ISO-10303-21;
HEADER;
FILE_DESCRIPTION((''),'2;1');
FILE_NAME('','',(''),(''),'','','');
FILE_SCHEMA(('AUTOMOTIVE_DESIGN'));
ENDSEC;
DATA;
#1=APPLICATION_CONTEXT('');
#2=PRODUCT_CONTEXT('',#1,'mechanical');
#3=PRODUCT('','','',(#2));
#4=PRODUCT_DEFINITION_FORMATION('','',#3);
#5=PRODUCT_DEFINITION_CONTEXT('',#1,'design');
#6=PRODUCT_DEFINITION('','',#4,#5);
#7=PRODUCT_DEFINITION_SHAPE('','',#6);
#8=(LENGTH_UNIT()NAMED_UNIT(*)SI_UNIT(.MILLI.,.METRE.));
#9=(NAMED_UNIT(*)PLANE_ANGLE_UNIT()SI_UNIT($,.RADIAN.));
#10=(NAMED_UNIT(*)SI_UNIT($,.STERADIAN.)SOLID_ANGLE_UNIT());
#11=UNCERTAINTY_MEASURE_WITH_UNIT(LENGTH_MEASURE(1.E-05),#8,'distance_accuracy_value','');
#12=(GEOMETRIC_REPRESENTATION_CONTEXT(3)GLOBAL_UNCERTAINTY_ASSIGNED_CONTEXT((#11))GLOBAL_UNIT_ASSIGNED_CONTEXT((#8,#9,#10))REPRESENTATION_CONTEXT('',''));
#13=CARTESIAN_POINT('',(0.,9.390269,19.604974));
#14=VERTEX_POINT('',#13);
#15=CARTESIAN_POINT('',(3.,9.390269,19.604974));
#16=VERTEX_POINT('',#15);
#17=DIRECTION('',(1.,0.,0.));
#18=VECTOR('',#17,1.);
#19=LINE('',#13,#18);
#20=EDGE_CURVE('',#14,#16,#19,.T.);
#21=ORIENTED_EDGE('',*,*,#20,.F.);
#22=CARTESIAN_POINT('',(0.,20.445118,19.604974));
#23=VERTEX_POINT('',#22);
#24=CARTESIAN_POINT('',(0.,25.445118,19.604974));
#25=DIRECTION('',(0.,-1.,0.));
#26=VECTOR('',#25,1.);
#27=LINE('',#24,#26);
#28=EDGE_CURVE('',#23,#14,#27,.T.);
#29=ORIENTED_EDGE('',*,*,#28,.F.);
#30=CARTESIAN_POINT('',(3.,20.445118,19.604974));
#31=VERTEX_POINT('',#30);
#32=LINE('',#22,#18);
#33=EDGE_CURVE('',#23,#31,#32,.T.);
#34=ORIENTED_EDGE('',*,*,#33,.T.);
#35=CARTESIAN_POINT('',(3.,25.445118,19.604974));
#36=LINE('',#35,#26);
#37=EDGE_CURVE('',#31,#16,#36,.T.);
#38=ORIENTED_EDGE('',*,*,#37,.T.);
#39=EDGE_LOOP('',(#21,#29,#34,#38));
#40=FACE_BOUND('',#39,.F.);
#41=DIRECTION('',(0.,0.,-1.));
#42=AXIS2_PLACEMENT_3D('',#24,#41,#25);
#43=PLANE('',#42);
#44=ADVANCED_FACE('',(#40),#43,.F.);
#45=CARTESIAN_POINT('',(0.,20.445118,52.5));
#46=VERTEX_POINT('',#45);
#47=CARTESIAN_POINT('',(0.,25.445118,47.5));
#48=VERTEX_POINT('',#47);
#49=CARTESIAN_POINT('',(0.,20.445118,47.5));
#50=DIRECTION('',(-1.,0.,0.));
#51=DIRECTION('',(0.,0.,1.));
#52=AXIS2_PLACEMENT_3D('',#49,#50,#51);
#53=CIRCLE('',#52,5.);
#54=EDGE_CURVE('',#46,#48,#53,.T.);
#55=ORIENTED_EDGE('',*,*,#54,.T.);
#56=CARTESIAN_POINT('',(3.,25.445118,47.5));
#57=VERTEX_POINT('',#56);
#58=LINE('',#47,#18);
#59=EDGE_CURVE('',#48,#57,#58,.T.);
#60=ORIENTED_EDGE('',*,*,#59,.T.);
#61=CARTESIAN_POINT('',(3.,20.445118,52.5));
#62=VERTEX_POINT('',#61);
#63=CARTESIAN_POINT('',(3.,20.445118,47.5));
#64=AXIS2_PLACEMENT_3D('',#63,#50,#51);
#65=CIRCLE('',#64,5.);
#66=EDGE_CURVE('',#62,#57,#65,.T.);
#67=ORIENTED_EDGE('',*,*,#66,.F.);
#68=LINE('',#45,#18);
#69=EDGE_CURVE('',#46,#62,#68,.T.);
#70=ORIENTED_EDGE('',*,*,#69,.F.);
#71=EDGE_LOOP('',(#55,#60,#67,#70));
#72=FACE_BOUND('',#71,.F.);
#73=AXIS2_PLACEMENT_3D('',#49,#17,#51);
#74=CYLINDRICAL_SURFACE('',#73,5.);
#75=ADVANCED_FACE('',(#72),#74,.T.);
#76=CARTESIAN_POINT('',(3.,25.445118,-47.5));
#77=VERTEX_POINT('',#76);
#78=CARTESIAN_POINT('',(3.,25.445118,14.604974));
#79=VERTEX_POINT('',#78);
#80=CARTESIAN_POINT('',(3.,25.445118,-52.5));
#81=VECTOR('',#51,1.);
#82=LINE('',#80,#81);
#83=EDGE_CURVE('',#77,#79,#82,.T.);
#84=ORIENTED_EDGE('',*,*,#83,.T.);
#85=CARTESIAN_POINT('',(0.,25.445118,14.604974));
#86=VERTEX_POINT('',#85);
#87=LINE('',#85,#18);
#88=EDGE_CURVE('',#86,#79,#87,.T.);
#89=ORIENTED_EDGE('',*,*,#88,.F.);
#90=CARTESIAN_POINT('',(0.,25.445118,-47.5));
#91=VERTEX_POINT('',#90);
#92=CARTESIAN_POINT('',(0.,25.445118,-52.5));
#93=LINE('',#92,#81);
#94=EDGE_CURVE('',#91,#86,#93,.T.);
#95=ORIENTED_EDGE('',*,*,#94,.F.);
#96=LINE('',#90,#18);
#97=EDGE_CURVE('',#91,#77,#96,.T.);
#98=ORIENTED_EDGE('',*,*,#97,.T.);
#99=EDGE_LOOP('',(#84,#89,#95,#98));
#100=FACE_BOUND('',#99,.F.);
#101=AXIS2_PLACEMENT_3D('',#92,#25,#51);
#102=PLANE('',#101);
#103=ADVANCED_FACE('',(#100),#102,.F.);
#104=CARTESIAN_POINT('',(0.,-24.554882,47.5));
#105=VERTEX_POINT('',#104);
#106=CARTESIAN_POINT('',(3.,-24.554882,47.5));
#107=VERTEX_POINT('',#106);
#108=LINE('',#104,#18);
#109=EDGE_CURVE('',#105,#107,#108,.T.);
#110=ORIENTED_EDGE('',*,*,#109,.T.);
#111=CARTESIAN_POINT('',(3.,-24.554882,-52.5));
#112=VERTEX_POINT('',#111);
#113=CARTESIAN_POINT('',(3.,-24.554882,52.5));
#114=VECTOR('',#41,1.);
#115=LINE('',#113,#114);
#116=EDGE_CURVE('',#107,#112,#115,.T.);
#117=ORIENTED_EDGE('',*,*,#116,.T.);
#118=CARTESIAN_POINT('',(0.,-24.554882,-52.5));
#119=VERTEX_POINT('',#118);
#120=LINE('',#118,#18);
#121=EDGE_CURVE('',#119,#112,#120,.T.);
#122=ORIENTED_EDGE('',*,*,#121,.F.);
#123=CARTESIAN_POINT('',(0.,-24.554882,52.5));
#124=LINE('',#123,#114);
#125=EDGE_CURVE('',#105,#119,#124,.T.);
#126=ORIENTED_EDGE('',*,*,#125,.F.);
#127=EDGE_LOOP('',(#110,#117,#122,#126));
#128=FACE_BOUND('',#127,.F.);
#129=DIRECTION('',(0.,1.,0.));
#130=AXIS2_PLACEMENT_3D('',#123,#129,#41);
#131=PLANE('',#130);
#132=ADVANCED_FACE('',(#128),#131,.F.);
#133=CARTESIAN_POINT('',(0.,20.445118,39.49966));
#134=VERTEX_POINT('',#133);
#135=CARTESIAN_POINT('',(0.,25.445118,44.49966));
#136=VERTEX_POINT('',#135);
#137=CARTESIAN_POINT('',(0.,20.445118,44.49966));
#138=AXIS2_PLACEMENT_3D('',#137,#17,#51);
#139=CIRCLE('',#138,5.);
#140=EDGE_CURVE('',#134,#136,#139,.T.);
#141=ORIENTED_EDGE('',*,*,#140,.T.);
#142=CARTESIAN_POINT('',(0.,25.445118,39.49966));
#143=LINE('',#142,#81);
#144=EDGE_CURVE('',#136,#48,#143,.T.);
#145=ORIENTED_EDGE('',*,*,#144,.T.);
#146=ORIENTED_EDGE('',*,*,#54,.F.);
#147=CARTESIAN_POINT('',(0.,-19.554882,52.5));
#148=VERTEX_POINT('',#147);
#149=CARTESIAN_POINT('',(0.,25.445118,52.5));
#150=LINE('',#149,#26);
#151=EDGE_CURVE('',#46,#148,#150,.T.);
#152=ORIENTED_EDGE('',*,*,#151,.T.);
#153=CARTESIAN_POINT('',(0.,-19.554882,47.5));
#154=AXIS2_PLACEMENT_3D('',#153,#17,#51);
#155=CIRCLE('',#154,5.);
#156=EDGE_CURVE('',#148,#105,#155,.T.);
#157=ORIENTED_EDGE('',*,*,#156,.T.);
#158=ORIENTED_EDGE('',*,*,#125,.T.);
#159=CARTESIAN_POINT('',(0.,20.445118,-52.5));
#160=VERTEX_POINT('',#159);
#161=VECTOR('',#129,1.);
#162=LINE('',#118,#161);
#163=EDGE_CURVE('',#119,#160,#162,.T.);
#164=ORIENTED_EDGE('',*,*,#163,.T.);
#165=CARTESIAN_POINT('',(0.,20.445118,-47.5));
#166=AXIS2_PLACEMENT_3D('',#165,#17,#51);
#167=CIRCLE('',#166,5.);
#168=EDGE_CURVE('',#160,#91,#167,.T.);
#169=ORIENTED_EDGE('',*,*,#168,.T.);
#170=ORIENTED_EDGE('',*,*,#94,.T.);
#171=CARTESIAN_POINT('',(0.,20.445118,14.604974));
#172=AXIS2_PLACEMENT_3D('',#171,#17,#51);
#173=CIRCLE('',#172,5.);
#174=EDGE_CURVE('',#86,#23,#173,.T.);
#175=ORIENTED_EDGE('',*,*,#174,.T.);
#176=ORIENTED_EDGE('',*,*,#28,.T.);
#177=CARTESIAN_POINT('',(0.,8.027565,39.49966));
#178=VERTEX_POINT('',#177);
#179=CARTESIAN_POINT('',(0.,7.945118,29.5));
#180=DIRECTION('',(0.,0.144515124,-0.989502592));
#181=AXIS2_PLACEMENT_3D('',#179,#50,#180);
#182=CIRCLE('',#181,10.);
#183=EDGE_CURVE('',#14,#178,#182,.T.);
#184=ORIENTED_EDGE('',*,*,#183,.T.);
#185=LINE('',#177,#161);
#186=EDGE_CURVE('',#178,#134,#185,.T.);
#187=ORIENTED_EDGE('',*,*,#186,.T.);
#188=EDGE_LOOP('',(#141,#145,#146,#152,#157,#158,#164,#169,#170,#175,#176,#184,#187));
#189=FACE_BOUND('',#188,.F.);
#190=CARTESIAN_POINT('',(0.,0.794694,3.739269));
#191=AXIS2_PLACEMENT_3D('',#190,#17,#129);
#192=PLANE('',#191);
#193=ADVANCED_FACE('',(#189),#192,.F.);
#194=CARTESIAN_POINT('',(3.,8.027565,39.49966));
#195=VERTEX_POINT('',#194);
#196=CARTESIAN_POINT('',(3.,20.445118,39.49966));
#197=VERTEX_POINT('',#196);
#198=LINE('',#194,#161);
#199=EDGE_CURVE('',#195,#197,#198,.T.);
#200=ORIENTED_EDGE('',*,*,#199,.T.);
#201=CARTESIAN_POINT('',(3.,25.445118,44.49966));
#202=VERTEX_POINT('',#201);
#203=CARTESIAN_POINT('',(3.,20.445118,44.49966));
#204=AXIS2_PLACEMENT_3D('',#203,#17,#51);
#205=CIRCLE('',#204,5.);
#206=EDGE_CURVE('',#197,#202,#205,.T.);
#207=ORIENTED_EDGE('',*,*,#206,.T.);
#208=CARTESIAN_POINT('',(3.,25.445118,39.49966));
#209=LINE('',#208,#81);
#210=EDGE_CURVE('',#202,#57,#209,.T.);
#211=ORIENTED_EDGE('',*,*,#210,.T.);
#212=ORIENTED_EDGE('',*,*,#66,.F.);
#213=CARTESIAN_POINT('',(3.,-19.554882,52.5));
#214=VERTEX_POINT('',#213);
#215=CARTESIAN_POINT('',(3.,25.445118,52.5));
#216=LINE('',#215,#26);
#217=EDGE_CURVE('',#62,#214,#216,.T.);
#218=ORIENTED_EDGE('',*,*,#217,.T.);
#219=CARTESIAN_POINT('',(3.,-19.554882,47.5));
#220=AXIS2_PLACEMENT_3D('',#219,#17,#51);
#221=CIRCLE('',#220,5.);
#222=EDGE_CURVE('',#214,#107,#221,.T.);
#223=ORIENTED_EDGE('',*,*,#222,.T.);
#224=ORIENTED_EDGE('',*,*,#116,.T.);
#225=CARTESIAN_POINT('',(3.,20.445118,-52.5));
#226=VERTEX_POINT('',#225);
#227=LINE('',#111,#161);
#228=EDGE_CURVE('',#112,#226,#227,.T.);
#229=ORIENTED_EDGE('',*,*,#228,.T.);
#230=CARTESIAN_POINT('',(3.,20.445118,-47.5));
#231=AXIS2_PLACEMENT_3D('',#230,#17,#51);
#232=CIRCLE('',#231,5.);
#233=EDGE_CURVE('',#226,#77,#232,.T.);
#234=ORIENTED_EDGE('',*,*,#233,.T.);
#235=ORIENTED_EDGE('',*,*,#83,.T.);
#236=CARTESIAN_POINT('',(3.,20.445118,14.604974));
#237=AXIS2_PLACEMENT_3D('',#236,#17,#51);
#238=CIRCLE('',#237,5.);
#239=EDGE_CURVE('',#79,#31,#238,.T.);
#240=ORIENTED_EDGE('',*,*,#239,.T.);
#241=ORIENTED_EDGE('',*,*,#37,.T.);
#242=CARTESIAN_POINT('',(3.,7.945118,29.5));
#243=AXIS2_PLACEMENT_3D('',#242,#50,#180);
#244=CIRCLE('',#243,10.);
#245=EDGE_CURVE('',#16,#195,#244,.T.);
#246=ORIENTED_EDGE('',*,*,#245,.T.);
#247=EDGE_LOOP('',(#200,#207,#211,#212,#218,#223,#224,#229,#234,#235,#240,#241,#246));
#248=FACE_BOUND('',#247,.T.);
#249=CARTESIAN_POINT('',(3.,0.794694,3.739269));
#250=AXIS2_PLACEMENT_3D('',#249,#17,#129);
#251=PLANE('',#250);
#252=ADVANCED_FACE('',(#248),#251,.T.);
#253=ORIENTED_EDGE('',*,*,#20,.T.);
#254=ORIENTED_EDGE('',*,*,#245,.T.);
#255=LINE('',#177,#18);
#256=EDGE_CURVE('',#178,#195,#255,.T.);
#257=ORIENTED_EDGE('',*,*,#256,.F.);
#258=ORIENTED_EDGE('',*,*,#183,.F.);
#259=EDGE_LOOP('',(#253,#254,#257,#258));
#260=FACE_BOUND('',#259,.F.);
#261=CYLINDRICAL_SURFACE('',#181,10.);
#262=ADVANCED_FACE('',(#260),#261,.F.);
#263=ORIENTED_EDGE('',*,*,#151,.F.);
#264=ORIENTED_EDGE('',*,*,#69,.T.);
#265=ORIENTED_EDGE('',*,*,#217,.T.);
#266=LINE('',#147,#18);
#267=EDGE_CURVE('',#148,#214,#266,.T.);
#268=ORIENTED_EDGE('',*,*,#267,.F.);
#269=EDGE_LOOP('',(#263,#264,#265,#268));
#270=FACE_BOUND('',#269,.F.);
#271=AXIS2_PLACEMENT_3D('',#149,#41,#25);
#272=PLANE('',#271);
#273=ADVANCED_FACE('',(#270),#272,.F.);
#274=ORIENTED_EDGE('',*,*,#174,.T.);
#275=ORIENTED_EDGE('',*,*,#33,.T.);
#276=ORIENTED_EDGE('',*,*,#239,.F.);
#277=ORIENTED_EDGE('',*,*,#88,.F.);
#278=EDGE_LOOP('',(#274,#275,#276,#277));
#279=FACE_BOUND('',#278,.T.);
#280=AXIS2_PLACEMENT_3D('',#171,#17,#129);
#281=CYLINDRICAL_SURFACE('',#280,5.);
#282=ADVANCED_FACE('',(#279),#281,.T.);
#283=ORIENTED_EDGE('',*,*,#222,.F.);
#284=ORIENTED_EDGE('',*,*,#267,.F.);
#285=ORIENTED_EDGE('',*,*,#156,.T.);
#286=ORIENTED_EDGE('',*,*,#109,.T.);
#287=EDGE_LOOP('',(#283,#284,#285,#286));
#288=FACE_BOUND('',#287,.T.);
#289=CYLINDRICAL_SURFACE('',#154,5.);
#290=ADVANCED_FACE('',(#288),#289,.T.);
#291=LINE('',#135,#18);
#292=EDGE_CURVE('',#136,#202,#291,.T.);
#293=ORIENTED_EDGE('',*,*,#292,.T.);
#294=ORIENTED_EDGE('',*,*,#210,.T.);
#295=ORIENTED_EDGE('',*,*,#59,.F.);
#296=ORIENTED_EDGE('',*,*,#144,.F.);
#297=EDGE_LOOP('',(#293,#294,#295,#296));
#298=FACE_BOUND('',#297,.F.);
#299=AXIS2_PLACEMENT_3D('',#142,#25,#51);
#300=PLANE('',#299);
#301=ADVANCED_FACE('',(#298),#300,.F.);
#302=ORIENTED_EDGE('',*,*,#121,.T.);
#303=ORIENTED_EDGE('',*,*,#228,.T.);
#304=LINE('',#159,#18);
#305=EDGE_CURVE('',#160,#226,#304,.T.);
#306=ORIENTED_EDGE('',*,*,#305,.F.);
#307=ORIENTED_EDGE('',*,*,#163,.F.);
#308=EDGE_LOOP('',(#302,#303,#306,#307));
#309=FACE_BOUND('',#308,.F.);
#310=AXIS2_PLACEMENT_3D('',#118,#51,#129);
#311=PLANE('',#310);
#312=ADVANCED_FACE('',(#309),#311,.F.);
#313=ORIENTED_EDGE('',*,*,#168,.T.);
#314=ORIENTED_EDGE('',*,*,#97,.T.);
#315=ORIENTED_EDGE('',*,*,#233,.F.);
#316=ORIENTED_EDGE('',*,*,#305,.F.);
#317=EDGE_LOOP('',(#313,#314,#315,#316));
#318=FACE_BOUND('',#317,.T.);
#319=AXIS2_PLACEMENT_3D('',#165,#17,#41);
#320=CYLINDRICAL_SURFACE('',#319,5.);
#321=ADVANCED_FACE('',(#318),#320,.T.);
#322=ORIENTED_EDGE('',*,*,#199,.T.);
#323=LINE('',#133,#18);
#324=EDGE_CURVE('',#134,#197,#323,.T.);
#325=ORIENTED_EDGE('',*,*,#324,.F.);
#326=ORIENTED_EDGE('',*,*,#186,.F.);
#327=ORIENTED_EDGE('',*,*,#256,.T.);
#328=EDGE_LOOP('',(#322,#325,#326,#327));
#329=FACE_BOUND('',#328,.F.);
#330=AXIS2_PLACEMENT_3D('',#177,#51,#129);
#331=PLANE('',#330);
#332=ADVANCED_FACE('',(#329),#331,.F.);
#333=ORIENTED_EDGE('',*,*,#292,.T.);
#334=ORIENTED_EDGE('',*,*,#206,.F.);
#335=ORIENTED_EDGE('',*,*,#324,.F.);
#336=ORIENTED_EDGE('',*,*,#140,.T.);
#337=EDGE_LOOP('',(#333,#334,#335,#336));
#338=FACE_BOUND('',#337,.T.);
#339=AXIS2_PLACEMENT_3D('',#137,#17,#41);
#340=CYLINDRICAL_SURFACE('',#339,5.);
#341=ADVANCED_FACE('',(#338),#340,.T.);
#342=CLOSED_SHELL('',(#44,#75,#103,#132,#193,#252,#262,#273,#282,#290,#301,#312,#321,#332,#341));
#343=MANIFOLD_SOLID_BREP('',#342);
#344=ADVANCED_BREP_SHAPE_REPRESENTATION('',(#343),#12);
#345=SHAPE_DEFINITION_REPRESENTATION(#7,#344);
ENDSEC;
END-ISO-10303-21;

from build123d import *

# Parameters (mm, degrees)
F1_DEPTH = 3
F2_R     = 5


with BuildPart() as f1:
    # F0 (on Right) → F1 (new body)
    with BuildSketch(Plane.YZ):
        with BuildLine():
            Line((25.445118, 52.5), (-24.554882, 52.5))
            Line((-24.554882, 52.5), (-24.554882, -52.5))
            Line((-24.554882, -52.5), (25.445118, -52.5))
            Line((25.445118, -52.5), (25.445118, 19.604974))
            Line((25.445118, 19.604974), (9.390269, 19.604974))
            ThreePointArc((9.390269, 19.604974), (-2.031506, 28.816642), (8.027565, 39.49966))
            Line((8.027565, 39.49966), (25.445118, 39.49966))
            Line((25.445118, 39.49966), (25.445118, 52.5))
        make_face()
    extrude(amount=F1_DEPTH)

    # F2
    f2_edges = [f1.edges().sort_by_distance(p)[0] for p in [
        (1.5, -24.554882, 52.5),
        (1.5, 25.445118, 52.5),
        (1.5, 25.445118, 39.49966),
        (1.5, 25.445118, 19.604974),
        (1.5, 25.445118, -52.5),
    ]]
    fillet(f2_edges, radius=F2_R)


solid = f1.part
